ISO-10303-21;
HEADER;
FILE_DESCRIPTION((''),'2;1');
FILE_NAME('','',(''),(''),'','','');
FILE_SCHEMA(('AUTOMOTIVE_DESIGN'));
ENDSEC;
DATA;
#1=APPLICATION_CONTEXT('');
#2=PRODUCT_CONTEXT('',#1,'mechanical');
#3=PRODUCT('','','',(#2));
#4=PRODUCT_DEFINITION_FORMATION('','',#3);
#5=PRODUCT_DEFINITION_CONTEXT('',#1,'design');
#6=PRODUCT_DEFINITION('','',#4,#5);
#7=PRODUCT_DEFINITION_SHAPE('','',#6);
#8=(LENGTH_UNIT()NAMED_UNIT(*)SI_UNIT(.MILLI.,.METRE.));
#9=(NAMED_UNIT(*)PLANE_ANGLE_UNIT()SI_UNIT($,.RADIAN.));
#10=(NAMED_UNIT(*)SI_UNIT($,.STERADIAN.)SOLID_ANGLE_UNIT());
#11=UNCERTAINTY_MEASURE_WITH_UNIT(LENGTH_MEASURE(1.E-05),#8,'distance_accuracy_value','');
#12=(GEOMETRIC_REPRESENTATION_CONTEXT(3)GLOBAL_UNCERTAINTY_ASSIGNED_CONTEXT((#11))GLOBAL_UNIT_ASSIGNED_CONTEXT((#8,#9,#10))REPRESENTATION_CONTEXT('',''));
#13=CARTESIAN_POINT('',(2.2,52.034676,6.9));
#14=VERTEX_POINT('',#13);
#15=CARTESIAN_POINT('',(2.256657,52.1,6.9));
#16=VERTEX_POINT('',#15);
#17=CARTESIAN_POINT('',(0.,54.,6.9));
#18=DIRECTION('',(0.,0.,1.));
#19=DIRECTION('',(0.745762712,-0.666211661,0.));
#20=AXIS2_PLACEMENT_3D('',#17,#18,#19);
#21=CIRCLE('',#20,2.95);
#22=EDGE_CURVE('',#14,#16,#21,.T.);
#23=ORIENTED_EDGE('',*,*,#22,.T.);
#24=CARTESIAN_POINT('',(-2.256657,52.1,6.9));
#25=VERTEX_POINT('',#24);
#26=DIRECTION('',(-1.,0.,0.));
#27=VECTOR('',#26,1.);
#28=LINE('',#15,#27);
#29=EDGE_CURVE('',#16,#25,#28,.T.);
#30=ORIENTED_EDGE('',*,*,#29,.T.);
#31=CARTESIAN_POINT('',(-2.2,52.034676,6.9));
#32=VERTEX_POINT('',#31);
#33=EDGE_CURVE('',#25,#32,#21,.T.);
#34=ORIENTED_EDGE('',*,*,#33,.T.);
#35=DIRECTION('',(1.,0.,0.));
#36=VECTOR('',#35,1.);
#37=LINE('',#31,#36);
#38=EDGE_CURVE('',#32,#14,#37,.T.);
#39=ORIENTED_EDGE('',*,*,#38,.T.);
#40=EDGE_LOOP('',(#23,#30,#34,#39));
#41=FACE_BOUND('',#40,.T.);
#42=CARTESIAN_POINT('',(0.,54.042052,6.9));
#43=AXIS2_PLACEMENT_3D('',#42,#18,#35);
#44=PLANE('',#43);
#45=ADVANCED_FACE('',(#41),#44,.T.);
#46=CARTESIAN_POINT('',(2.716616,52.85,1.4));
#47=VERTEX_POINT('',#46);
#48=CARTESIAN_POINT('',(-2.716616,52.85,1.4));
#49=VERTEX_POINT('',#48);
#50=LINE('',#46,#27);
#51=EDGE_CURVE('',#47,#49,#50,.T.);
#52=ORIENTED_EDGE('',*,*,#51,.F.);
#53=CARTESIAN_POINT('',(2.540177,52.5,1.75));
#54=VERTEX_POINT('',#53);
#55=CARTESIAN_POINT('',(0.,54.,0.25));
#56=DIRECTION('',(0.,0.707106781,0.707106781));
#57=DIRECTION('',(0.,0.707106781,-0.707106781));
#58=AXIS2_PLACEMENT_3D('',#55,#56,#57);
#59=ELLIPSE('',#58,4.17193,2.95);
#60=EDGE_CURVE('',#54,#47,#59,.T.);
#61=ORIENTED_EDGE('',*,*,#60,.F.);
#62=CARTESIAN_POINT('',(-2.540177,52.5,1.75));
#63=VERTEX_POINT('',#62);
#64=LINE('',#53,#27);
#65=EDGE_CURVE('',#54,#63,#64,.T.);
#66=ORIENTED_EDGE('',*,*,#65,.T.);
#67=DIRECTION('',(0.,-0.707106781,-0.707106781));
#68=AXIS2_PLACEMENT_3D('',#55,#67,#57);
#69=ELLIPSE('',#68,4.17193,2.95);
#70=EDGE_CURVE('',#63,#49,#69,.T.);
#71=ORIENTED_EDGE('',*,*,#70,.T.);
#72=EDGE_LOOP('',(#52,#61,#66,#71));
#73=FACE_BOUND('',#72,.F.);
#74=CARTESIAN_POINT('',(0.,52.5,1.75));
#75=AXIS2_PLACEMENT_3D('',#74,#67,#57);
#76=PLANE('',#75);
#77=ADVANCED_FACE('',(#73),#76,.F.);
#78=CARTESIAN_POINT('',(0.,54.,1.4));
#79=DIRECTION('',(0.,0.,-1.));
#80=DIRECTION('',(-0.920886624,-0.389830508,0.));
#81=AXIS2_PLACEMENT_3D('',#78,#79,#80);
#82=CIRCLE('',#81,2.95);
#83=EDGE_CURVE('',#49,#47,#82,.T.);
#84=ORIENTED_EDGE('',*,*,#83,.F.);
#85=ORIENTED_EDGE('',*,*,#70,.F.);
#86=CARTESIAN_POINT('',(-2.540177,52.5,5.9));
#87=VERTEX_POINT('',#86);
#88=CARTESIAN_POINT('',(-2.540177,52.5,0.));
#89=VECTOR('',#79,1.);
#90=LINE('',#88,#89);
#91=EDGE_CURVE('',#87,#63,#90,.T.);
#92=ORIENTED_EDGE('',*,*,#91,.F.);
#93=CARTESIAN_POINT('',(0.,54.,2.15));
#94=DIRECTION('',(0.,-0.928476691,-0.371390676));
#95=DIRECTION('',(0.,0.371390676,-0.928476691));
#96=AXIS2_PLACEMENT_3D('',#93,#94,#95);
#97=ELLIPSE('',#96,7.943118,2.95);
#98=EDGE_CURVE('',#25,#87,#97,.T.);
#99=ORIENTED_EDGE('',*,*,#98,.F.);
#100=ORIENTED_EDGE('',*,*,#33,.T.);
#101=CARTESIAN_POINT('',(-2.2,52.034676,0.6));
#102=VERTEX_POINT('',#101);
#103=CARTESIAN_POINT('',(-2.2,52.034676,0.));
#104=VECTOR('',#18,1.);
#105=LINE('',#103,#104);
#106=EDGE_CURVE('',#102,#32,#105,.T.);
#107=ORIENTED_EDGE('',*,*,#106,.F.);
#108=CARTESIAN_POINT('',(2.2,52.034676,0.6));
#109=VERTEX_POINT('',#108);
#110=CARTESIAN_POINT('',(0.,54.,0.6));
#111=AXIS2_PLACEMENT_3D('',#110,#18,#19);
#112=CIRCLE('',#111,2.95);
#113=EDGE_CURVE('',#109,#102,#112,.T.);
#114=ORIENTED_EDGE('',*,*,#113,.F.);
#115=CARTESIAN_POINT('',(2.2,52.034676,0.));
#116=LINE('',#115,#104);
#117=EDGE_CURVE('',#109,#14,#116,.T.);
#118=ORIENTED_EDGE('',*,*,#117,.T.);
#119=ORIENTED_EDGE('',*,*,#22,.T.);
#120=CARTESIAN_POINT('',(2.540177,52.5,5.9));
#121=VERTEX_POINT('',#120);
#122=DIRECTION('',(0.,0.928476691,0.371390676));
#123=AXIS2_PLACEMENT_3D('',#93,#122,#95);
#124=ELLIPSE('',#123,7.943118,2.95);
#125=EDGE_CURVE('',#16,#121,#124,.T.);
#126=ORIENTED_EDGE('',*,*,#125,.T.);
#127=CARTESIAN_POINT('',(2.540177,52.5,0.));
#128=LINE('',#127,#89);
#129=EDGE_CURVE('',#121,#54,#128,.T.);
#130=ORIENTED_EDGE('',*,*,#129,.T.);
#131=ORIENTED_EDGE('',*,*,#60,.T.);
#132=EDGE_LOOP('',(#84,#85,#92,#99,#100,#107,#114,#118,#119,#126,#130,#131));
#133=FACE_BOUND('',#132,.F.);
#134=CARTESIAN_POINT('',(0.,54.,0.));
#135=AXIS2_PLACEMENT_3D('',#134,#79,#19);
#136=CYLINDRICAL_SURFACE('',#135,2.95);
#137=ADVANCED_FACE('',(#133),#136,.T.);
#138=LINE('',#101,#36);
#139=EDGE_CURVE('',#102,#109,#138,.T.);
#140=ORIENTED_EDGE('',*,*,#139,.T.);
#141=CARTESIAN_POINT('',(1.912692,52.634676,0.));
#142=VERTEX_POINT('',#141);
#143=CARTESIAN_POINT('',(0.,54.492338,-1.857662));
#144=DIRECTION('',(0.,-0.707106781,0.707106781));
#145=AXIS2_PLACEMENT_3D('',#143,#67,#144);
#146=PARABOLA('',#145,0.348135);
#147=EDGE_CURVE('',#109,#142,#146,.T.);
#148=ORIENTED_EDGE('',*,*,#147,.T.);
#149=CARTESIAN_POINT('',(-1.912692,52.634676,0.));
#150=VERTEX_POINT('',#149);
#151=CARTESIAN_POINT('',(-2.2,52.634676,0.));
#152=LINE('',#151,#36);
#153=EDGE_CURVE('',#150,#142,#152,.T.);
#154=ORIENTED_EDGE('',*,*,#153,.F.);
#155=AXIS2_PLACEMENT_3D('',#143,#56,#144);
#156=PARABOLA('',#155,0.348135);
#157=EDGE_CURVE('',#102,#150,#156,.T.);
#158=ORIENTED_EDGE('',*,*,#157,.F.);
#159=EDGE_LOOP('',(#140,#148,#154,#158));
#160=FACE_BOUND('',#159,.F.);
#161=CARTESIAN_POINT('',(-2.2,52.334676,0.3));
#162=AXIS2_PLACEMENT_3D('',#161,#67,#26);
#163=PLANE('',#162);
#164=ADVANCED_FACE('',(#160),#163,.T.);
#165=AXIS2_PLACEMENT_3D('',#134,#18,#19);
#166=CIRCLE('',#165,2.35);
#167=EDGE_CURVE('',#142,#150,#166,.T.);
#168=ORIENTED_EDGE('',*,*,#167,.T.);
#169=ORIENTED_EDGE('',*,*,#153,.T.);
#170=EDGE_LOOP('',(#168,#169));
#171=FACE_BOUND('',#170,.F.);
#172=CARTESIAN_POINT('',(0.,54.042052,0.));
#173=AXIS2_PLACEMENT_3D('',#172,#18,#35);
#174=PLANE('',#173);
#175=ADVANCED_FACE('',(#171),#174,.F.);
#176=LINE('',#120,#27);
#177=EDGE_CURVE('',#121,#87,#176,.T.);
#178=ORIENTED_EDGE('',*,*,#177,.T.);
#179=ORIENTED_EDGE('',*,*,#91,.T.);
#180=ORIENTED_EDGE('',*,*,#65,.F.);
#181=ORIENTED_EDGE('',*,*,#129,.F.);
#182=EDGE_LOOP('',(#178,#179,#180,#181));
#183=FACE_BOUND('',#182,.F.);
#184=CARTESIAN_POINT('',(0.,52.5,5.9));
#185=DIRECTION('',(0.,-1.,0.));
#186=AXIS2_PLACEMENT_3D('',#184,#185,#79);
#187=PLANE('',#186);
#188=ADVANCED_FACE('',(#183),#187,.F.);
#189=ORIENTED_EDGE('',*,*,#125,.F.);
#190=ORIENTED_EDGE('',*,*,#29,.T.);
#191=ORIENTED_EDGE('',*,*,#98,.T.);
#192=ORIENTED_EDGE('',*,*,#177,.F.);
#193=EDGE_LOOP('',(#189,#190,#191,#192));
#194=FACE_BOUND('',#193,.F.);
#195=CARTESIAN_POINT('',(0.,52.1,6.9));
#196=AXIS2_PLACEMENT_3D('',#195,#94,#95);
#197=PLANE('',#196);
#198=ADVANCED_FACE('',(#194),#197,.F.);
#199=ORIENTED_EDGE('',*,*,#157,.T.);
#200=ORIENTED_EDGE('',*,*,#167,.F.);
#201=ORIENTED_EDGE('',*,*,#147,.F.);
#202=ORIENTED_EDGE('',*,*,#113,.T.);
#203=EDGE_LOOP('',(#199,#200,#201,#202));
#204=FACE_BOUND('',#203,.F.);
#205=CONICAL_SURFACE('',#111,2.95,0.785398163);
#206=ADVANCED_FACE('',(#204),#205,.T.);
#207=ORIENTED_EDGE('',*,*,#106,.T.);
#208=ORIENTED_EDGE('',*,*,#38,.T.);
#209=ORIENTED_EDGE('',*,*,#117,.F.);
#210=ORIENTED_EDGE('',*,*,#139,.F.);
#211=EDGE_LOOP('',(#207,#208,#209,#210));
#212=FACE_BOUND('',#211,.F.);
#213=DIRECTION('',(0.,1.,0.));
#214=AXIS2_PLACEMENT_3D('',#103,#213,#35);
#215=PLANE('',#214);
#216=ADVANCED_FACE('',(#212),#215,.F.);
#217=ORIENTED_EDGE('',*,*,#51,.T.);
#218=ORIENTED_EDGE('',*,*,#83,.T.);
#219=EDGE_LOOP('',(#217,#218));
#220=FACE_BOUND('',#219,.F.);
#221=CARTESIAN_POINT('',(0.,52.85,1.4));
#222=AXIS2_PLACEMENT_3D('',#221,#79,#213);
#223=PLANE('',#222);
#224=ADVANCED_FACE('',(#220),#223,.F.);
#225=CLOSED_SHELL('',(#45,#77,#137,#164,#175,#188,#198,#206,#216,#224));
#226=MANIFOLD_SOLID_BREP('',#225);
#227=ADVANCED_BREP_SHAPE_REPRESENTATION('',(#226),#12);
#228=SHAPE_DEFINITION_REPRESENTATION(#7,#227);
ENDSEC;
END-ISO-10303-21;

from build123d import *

# Parameters (mm, degrees)
PAD007_DEPTH         = 6.9
POCKET005_DEPTH      = 2.951
POCKET005_DEPTH_BACK = 2.951
CHAMFER008_SIZE      = 0.6


with BuildPart() as part:
    # Sketch018 → Pad007 (new body)
    with BuildSketch(Plane.XY):
        with BuildLine():
            ThreePointArc((2.2, -1.9653244007), (0, 2.95), (-2.2, -1.9653244007))
            Line((-2.2, -1.9653244007), (2.2, -1.9653244007))
        make_face()
    extrude(amount=PAD007_DEPTH)

    # Sketch019 → Pocket005 (cut, two sides)
    with BuildSketch(Plane.YZ) as pocket005_sk:
        Polygon((-1.9, 6.9), (-1.5, 5.9), (-1.5, 1.75), (-1.15, 1.4), (5, 1.4), (5, 6.9), align=None)
    extrude(amount=-POCKET005_DEPTH, mode=Mode.SUBTRACT)
    extrude(pocket005_sk.sketch, amount=POCKET005_DEPTH_BACK, mode=Mode.SUBTRACT)

    # Chamfer008
    chamfer008_edges = [part.edges().sort_by_distance(p)[0] for p in [
        (0, 2.95, 0),
        (0, -1.965324, 0),
    ]]
    chamfer(chamfer008_edges, length=CHAMFER008_SIZE)


with BuildPart() as part_1:
    # Body059 placement: moved
    add(part.part.moved(Location((0, 54, 0))))


solid = part_1.part
